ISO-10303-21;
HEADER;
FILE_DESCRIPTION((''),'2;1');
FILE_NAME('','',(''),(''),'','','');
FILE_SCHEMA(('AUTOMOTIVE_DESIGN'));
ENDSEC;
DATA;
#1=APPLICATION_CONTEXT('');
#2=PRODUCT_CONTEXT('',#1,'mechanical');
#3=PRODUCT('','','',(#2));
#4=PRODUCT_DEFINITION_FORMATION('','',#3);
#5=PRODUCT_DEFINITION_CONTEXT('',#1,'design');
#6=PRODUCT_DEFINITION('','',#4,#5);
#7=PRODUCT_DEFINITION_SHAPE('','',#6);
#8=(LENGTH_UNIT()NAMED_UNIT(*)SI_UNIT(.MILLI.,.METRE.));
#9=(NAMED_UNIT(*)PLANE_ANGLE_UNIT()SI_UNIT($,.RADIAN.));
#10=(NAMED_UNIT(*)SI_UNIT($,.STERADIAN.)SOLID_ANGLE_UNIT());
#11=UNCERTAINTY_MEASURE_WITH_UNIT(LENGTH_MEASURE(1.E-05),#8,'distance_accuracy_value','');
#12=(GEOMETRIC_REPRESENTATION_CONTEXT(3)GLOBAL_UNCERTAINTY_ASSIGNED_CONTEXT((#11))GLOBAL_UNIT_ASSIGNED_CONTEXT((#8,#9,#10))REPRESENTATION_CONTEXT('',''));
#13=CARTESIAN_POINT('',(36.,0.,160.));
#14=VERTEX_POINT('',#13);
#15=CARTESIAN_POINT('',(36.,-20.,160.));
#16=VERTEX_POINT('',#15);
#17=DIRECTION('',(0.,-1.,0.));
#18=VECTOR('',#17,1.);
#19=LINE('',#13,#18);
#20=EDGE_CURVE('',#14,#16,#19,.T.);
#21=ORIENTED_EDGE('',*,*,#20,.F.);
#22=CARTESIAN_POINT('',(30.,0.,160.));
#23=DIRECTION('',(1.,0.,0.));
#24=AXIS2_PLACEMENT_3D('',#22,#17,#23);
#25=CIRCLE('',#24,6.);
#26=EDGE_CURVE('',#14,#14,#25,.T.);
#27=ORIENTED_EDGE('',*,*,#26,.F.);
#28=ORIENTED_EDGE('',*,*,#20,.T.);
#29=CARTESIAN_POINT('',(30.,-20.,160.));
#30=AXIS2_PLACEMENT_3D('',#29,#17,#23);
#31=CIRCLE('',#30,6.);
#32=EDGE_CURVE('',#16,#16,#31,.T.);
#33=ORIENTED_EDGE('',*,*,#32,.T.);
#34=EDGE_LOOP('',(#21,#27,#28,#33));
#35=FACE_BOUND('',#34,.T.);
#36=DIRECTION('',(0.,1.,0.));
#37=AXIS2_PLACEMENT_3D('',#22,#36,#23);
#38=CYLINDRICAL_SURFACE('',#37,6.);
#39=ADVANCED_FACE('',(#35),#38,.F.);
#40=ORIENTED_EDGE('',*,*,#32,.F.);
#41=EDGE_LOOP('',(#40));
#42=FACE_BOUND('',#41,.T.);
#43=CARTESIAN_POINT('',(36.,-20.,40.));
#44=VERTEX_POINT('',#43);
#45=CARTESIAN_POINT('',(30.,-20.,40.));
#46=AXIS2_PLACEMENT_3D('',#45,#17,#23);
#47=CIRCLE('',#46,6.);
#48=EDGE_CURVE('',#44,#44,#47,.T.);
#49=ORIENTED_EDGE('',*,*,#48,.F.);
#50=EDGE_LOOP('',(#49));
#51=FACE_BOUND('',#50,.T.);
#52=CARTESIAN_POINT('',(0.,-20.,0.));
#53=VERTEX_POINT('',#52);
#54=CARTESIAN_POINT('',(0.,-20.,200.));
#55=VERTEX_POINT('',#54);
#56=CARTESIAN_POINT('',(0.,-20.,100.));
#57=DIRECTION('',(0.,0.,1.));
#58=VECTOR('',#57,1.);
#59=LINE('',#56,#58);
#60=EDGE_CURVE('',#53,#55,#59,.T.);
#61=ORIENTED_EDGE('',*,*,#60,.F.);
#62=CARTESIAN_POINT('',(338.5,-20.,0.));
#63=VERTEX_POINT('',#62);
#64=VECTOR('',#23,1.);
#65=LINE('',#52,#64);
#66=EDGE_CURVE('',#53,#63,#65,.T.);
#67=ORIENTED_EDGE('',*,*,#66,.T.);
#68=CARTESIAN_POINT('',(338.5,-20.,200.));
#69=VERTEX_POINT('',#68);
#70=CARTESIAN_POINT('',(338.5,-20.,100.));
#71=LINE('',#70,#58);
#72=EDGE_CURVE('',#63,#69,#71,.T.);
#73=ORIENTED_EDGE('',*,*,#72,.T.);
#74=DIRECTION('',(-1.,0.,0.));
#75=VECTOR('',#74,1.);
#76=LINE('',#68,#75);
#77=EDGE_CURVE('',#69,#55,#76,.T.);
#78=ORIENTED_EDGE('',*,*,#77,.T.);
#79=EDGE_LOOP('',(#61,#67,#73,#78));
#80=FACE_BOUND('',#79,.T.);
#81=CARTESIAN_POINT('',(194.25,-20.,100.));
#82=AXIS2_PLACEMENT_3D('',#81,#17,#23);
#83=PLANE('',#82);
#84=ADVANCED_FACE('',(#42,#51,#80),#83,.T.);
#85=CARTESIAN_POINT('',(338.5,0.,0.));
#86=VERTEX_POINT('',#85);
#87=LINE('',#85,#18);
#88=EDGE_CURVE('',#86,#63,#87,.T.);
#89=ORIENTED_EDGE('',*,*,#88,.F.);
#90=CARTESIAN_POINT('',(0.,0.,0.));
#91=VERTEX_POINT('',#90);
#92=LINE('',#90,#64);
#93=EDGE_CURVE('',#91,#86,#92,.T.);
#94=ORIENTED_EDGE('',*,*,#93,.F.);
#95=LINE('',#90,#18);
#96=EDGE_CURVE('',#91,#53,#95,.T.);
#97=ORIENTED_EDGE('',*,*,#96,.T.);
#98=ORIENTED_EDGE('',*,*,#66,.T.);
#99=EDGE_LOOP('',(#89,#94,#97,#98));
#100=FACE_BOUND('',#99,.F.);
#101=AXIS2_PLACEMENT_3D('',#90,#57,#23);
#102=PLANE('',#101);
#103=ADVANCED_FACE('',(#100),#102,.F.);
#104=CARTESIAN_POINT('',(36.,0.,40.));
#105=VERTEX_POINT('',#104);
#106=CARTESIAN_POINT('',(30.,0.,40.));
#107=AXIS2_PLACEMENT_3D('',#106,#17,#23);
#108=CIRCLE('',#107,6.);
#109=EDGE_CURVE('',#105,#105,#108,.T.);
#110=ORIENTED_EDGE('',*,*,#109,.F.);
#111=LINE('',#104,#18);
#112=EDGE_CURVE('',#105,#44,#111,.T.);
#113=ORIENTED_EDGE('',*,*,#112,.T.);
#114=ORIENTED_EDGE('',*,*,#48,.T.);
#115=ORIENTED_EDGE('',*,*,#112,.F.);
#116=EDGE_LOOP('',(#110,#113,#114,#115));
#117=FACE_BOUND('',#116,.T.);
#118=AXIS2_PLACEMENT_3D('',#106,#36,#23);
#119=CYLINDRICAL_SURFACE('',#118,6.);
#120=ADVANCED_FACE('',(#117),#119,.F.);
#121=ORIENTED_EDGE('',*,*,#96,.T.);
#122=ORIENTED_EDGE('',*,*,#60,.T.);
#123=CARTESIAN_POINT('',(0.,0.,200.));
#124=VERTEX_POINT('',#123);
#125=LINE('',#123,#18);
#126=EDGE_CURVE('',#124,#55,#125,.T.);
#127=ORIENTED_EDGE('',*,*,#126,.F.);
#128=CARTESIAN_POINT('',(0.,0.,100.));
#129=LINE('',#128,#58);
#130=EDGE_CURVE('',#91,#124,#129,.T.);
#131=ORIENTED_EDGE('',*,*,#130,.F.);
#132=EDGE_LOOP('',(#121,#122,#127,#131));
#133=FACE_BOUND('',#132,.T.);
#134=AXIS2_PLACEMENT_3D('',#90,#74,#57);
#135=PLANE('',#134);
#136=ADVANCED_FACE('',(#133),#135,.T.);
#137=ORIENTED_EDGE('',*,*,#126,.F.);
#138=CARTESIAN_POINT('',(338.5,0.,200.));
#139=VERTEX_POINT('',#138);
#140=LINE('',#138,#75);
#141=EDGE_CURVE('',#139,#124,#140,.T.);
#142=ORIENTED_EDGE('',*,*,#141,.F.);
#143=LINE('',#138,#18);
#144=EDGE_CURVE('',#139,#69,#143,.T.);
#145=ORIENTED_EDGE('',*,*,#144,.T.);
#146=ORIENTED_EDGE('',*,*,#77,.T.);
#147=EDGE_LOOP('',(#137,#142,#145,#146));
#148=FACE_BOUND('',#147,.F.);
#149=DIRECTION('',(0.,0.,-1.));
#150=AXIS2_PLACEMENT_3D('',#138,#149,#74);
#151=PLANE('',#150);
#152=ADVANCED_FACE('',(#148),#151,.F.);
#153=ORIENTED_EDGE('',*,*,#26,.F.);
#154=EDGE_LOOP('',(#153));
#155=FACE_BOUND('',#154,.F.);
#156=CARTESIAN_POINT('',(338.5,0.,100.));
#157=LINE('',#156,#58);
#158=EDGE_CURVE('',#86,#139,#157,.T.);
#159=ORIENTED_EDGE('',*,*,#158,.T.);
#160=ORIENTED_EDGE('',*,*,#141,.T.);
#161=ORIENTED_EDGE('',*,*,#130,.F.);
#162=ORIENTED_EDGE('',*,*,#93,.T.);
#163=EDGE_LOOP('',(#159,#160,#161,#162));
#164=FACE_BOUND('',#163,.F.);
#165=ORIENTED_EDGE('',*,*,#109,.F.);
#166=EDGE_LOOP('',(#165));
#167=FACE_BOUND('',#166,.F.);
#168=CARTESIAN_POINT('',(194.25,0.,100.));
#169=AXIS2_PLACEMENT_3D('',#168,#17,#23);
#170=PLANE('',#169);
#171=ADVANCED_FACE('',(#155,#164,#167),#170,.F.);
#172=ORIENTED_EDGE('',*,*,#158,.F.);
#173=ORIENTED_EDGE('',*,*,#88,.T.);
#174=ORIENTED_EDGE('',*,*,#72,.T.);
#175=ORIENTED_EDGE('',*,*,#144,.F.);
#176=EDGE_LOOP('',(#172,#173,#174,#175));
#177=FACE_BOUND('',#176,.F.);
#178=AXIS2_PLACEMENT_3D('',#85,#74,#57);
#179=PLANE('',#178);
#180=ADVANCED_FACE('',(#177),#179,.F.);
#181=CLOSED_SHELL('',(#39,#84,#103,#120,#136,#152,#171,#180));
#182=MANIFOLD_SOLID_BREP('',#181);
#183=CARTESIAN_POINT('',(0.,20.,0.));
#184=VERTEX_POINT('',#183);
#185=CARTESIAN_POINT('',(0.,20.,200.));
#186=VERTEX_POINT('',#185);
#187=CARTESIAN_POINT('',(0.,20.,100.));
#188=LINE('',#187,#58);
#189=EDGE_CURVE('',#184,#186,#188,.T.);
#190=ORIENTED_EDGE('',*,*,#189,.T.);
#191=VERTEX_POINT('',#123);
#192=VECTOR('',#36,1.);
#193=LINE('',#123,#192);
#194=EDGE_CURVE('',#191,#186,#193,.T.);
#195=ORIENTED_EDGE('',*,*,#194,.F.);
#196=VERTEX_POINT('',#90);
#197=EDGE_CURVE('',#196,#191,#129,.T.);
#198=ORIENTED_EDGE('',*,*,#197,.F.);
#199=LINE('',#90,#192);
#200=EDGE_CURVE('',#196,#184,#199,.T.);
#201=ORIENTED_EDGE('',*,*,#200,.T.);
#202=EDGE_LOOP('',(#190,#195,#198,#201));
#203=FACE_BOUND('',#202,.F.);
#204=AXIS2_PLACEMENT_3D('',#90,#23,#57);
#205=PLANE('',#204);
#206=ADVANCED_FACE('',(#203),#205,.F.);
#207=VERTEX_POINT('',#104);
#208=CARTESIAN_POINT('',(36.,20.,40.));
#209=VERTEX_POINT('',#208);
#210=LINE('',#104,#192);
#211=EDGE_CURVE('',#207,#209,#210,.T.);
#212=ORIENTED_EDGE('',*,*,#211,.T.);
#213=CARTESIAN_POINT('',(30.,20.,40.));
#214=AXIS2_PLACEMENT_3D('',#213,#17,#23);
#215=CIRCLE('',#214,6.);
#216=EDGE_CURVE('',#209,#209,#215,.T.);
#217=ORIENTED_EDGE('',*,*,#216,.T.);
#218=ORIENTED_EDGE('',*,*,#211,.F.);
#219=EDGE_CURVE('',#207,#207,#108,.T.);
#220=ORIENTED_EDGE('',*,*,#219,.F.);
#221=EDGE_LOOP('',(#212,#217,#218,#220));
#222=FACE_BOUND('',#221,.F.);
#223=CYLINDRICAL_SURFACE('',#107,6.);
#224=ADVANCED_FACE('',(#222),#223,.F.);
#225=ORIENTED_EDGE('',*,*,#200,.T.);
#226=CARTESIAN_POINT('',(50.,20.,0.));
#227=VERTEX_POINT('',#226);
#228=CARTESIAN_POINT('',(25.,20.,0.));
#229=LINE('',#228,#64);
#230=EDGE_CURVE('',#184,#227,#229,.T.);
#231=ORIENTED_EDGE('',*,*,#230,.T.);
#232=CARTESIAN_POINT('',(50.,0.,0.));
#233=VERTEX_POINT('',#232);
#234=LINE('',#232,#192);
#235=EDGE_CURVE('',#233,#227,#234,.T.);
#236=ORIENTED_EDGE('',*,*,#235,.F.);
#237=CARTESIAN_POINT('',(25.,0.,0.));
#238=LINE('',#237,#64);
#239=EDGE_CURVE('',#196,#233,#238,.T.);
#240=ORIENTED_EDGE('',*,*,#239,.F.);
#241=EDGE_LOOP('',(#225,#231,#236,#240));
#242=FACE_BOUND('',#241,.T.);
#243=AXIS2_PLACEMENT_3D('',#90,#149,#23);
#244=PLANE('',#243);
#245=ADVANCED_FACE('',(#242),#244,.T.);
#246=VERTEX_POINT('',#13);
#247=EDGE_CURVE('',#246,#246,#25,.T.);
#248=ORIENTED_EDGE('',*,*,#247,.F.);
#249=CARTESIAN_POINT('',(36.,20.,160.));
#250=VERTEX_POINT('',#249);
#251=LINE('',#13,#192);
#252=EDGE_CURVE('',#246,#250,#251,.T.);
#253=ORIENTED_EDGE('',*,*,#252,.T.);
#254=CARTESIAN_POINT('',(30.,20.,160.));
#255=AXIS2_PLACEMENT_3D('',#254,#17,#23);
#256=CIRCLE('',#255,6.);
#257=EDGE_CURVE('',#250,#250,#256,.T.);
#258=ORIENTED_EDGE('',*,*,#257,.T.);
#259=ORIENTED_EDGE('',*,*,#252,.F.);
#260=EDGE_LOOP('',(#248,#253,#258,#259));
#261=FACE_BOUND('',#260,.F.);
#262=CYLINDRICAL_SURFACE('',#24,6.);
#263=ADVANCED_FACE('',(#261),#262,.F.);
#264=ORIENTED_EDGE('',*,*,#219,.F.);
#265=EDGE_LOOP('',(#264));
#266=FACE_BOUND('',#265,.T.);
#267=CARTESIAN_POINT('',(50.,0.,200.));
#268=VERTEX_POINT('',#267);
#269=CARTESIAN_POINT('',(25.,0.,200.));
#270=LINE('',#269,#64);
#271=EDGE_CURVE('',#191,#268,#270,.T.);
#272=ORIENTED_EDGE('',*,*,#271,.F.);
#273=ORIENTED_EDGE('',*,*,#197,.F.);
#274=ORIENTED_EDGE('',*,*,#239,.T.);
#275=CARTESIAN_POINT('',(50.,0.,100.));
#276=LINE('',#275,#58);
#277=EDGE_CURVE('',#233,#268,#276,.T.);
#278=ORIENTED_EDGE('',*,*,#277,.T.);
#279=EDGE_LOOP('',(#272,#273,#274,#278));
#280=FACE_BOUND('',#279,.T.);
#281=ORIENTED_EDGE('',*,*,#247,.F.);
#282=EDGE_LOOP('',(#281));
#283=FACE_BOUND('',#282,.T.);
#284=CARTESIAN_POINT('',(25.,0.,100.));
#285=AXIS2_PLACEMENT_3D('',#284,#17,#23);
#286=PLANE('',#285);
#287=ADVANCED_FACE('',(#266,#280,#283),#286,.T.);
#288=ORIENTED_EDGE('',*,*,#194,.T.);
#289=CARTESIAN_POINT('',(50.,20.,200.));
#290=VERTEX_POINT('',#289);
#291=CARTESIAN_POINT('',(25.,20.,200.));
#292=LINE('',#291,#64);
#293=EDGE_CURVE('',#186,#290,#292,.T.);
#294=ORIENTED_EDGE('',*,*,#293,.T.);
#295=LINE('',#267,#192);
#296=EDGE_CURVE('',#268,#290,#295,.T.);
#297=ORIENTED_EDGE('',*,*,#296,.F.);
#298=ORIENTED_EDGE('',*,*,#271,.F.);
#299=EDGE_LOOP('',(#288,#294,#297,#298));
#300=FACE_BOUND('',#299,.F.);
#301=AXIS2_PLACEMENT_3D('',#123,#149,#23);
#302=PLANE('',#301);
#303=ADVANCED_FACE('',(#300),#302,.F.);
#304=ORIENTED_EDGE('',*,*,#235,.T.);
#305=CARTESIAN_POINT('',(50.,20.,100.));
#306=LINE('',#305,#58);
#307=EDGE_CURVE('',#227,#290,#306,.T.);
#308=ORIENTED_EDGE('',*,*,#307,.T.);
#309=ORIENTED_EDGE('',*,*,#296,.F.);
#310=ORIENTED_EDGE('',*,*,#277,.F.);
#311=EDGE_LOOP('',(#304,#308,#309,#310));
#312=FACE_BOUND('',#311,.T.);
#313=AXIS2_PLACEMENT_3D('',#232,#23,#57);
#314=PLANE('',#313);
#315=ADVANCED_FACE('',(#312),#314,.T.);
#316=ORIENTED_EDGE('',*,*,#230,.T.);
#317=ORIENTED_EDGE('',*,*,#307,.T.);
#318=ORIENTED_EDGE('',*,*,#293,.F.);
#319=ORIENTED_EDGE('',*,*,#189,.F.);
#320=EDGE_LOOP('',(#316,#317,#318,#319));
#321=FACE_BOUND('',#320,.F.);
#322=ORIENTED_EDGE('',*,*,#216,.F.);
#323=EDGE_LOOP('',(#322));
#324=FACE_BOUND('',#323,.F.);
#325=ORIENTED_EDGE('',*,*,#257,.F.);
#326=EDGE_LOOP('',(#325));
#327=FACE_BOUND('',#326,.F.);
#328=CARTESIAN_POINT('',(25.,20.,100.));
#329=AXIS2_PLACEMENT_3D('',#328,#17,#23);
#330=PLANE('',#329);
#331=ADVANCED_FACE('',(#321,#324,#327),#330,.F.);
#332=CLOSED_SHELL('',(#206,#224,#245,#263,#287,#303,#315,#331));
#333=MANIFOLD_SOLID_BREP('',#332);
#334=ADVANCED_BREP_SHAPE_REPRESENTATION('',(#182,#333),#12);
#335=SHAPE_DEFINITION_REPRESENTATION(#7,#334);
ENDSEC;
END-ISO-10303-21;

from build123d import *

# Parameters (mm, degrees)
F0_W     = 288.5
F0_H     = 200
F0_W_2   = 50
F0_R     = 6
F1_DEPTH = 20
F2_DEPTH = 20


with BuildPart() as f1:
    # F0 (on Front) → F1 (new body)
    with BuildSketch(Plane.XZ):
        with Locations((194.25, 100)):
            Rectangle(F0_W, F0_H)
        with Locations((25, 100)):
            Rectangle(F0_W_2, F0_H)
        with Locations((30, 40)):
            Circle(F0_R, mode=Mode.SUBTRACT)
        with Locations((30, 160)):
            Circle(F0_R, mode=Mode.SUBTRACT)
    extrude(amount=F1_DEPTH)


with BuildPart() as f2:
    # F0 (on Front) → F2 (new body)
    with BuildSketch(Plane.XZ):
        with Locations((25, 100)):
            Rectangle(F0_W_2, F0_H)
        with Locations((30, 40)):
            Circle(F0_R, mode=Mode.SUBTRACT)
        with Locations((30, 160)):
            Circle(F0_R, mode=Mode.SUBTRACT)
    extrude(amount=-F2_DEPTH)


solid = Compound([f1.part, f2.part])
